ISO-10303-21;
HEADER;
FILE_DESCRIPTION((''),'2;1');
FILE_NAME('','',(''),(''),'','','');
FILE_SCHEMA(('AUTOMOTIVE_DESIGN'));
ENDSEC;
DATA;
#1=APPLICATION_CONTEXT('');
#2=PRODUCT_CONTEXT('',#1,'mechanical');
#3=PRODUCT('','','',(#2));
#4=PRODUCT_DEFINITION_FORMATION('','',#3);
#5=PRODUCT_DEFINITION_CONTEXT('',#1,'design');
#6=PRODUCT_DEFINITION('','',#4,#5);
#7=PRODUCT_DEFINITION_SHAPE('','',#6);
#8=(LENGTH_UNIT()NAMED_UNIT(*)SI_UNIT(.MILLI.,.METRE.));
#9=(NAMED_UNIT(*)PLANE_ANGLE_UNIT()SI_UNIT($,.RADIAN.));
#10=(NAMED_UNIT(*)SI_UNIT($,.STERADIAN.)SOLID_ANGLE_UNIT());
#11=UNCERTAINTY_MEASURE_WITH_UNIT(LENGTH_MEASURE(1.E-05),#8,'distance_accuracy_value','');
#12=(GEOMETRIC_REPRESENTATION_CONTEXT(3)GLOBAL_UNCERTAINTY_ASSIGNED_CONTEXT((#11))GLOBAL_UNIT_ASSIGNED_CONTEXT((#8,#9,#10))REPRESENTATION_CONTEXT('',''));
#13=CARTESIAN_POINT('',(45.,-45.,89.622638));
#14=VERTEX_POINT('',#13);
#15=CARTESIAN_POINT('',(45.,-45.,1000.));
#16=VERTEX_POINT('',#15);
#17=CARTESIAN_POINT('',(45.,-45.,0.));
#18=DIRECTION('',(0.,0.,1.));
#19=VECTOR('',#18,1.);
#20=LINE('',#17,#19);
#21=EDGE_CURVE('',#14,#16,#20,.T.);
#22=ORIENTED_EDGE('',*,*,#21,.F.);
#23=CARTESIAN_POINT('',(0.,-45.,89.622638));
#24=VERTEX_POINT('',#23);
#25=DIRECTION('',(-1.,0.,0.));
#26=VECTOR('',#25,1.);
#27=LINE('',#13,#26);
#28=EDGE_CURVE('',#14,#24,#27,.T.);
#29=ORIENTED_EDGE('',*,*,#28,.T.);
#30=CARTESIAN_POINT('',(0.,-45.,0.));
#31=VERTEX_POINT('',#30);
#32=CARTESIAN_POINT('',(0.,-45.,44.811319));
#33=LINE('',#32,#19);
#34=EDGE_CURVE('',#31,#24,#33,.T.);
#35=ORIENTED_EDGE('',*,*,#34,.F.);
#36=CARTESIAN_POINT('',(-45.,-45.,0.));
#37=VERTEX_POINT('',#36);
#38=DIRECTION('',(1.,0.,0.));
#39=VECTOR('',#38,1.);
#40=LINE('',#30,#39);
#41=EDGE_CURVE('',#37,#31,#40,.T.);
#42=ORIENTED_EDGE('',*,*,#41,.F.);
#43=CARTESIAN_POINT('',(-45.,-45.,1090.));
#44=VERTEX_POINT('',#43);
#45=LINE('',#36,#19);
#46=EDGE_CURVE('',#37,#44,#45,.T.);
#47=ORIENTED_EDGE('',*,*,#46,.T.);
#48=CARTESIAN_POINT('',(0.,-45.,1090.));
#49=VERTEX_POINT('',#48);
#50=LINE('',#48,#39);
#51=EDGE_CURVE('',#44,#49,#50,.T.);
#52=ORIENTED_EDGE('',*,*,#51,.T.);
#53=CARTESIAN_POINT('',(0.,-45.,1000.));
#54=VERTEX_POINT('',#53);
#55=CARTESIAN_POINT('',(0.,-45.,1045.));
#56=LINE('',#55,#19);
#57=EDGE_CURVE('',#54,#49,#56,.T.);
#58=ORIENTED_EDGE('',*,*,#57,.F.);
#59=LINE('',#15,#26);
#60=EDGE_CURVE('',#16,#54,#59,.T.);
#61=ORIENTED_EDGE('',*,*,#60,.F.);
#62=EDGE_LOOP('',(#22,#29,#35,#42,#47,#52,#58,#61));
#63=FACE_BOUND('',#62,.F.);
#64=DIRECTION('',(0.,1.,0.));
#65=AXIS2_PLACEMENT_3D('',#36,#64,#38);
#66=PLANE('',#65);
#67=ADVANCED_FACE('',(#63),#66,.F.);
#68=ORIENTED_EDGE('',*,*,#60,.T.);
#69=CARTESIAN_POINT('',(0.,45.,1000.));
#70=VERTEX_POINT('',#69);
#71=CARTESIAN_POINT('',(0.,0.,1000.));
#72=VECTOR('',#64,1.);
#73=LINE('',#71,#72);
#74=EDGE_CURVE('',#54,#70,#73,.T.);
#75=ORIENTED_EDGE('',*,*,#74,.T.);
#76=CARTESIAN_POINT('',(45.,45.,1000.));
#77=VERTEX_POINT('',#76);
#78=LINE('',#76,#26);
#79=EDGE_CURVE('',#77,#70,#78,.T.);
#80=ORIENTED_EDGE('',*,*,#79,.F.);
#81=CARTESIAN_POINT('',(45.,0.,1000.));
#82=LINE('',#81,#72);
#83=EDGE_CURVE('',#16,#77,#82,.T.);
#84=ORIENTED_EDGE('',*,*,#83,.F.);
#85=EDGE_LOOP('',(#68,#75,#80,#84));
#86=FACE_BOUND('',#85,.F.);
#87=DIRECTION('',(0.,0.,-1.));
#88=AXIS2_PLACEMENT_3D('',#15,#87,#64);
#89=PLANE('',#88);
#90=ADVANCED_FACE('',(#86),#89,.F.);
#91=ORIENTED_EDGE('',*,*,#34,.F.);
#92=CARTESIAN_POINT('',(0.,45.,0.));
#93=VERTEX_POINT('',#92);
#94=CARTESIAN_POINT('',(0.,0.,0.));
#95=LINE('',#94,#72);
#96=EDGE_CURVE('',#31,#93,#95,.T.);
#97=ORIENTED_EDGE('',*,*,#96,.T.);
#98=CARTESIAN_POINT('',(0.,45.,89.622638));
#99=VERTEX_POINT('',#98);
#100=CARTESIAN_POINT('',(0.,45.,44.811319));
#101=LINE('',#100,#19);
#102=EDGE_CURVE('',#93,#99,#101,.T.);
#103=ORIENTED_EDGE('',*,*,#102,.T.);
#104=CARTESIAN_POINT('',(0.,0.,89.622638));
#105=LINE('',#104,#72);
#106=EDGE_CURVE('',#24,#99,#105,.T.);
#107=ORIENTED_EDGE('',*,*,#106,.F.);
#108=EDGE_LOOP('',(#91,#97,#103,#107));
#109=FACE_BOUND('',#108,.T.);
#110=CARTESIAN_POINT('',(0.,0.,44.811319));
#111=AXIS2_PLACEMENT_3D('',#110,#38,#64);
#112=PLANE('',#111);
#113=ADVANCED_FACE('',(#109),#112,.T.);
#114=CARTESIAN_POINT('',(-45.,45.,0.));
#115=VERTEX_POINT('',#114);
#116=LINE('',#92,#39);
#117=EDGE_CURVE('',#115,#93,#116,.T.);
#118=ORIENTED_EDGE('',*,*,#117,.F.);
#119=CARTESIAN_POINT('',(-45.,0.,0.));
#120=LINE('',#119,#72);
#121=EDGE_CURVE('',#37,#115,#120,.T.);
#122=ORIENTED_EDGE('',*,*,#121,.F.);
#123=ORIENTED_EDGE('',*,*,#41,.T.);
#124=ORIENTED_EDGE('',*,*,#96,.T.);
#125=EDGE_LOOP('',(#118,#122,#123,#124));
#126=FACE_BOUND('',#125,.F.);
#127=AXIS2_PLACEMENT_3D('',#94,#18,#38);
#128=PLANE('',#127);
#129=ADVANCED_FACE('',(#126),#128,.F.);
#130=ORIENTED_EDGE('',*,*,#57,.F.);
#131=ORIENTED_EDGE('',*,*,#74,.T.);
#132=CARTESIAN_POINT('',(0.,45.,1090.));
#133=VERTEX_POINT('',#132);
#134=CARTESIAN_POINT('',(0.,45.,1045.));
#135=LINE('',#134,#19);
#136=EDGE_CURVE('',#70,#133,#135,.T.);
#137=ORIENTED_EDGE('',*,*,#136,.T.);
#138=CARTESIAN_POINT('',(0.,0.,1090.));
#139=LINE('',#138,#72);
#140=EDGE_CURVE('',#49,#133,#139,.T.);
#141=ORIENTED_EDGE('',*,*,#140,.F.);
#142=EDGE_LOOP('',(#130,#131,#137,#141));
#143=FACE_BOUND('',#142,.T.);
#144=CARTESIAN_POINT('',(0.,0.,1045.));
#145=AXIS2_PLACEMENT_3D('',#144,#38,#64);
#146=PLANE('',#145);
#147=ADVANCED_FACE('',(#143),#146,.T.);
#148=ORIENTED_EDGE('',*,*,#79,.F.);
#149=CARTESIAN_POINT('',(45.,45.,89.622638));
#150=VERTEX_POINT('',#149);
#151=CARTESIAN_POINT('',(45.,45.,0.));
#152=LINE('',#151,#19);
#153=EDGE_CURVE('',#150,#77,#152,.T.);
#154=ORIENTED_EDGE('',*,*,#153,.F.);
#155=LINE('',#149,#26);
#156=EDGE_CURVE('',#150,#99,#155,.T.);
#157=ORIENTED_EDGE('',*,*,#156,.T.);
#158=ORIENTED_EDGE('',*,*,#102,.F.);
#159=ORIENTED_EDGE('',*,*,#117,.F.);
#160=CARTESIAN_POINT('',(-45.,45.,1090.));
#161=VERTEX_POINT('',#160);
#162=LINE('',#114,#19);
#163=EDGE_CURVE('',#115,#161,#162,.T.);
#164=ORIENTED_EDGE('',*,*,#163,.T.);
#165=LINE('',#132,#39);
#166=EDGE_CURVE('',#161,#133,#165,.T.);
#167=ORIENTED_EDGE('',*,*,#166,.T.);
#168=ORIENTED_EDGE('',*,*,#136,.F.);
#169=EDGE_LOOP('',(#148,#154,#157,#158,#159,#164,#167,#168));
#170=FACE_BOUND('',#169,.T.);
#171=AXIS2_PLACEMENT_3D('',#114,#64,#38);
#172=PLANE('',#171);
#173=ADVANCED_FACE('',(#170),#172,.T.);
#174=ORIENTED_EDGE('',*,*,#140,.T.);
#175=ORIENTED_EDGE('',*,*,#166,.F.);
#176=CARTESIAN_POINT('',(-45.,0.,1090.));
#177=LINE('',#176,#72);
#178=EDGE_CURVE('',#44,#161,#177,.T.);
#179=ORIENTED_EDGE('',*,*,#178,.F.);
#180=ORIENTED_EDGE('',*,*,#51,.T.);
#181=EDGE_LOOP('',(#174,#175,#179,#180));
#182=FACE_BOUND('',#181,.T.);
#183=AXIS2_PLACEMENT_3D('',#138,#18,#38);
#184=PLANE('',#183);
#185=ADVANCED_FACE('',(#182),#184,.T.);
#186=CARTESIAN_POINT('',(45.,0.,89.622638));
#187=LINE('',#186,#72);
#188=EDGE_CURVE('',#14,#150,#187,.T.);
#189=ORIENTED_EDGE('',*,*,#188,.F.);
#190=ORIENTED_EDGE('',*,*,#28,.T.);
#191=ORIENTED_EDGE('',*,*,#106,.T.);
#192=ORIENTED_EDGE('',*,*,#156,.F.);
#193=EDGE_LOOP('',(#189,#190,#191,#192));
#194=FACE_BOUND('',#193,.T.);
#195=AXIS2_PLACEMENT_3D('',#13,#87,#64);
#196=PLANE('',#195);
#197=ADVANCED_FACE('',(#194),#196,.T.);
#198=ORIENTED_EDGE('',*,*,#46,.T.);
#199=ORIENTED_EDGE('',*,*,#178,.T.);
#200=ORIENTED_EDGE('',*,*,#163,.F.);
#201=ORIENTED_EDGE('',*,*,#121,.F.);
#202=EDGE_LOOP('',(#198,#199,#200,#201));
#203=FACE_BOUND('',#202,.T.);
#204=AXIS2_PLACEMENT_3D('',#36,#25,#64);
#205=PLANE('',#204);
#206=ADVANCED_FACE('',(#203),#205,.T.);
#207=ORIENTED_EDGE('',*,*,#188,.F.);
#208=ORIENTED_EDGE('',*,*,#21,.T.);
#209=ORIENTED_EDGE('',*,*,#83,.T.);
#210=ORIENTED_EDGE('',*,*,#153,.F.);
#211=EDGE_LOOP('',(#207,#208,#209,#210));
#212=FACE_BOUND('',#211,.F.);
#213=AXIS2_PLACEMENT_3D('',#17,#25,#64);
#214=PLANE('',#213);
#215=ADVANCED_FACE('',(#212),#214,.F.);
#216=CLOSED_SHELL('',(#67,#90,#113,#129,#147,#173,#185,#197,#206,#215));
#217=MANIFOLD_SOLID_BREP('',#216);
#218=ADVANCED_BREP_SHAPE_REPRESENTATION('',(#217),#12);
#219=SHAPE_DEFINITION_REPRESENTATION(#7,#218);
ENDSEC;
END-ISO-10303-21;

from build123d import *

# Parameters (mm, degrees)
F0_W     = 90
F0_H     = 90
F1_DEPTH = 1090
F2_W     = 90
F2_H     = 90
F2_H_2   = 89.622639
F3_DEPTH = 45


with BuildPart() as f1:
    # F0 (on Top) → F1 (new body)
    with BuildSketch(Plane.XY):
        Rectangle(F0_W, F0_H)
    extrude(amount=F1_DEPTH)

    # F2 (on face) → F3 (cut)
    with BuildSketch(Plane.YZ.offset(45)):
        with Locations((0, 1045)):
            Rectangle(F2_W, F2_H)
        with Locations((0, 44.811319)):
            Rectangle(F2_W, F2_H_2)
    extrude(amount=-F3_DEPTH, mode=Mode.SUBTRACT)


solid = f1.part
